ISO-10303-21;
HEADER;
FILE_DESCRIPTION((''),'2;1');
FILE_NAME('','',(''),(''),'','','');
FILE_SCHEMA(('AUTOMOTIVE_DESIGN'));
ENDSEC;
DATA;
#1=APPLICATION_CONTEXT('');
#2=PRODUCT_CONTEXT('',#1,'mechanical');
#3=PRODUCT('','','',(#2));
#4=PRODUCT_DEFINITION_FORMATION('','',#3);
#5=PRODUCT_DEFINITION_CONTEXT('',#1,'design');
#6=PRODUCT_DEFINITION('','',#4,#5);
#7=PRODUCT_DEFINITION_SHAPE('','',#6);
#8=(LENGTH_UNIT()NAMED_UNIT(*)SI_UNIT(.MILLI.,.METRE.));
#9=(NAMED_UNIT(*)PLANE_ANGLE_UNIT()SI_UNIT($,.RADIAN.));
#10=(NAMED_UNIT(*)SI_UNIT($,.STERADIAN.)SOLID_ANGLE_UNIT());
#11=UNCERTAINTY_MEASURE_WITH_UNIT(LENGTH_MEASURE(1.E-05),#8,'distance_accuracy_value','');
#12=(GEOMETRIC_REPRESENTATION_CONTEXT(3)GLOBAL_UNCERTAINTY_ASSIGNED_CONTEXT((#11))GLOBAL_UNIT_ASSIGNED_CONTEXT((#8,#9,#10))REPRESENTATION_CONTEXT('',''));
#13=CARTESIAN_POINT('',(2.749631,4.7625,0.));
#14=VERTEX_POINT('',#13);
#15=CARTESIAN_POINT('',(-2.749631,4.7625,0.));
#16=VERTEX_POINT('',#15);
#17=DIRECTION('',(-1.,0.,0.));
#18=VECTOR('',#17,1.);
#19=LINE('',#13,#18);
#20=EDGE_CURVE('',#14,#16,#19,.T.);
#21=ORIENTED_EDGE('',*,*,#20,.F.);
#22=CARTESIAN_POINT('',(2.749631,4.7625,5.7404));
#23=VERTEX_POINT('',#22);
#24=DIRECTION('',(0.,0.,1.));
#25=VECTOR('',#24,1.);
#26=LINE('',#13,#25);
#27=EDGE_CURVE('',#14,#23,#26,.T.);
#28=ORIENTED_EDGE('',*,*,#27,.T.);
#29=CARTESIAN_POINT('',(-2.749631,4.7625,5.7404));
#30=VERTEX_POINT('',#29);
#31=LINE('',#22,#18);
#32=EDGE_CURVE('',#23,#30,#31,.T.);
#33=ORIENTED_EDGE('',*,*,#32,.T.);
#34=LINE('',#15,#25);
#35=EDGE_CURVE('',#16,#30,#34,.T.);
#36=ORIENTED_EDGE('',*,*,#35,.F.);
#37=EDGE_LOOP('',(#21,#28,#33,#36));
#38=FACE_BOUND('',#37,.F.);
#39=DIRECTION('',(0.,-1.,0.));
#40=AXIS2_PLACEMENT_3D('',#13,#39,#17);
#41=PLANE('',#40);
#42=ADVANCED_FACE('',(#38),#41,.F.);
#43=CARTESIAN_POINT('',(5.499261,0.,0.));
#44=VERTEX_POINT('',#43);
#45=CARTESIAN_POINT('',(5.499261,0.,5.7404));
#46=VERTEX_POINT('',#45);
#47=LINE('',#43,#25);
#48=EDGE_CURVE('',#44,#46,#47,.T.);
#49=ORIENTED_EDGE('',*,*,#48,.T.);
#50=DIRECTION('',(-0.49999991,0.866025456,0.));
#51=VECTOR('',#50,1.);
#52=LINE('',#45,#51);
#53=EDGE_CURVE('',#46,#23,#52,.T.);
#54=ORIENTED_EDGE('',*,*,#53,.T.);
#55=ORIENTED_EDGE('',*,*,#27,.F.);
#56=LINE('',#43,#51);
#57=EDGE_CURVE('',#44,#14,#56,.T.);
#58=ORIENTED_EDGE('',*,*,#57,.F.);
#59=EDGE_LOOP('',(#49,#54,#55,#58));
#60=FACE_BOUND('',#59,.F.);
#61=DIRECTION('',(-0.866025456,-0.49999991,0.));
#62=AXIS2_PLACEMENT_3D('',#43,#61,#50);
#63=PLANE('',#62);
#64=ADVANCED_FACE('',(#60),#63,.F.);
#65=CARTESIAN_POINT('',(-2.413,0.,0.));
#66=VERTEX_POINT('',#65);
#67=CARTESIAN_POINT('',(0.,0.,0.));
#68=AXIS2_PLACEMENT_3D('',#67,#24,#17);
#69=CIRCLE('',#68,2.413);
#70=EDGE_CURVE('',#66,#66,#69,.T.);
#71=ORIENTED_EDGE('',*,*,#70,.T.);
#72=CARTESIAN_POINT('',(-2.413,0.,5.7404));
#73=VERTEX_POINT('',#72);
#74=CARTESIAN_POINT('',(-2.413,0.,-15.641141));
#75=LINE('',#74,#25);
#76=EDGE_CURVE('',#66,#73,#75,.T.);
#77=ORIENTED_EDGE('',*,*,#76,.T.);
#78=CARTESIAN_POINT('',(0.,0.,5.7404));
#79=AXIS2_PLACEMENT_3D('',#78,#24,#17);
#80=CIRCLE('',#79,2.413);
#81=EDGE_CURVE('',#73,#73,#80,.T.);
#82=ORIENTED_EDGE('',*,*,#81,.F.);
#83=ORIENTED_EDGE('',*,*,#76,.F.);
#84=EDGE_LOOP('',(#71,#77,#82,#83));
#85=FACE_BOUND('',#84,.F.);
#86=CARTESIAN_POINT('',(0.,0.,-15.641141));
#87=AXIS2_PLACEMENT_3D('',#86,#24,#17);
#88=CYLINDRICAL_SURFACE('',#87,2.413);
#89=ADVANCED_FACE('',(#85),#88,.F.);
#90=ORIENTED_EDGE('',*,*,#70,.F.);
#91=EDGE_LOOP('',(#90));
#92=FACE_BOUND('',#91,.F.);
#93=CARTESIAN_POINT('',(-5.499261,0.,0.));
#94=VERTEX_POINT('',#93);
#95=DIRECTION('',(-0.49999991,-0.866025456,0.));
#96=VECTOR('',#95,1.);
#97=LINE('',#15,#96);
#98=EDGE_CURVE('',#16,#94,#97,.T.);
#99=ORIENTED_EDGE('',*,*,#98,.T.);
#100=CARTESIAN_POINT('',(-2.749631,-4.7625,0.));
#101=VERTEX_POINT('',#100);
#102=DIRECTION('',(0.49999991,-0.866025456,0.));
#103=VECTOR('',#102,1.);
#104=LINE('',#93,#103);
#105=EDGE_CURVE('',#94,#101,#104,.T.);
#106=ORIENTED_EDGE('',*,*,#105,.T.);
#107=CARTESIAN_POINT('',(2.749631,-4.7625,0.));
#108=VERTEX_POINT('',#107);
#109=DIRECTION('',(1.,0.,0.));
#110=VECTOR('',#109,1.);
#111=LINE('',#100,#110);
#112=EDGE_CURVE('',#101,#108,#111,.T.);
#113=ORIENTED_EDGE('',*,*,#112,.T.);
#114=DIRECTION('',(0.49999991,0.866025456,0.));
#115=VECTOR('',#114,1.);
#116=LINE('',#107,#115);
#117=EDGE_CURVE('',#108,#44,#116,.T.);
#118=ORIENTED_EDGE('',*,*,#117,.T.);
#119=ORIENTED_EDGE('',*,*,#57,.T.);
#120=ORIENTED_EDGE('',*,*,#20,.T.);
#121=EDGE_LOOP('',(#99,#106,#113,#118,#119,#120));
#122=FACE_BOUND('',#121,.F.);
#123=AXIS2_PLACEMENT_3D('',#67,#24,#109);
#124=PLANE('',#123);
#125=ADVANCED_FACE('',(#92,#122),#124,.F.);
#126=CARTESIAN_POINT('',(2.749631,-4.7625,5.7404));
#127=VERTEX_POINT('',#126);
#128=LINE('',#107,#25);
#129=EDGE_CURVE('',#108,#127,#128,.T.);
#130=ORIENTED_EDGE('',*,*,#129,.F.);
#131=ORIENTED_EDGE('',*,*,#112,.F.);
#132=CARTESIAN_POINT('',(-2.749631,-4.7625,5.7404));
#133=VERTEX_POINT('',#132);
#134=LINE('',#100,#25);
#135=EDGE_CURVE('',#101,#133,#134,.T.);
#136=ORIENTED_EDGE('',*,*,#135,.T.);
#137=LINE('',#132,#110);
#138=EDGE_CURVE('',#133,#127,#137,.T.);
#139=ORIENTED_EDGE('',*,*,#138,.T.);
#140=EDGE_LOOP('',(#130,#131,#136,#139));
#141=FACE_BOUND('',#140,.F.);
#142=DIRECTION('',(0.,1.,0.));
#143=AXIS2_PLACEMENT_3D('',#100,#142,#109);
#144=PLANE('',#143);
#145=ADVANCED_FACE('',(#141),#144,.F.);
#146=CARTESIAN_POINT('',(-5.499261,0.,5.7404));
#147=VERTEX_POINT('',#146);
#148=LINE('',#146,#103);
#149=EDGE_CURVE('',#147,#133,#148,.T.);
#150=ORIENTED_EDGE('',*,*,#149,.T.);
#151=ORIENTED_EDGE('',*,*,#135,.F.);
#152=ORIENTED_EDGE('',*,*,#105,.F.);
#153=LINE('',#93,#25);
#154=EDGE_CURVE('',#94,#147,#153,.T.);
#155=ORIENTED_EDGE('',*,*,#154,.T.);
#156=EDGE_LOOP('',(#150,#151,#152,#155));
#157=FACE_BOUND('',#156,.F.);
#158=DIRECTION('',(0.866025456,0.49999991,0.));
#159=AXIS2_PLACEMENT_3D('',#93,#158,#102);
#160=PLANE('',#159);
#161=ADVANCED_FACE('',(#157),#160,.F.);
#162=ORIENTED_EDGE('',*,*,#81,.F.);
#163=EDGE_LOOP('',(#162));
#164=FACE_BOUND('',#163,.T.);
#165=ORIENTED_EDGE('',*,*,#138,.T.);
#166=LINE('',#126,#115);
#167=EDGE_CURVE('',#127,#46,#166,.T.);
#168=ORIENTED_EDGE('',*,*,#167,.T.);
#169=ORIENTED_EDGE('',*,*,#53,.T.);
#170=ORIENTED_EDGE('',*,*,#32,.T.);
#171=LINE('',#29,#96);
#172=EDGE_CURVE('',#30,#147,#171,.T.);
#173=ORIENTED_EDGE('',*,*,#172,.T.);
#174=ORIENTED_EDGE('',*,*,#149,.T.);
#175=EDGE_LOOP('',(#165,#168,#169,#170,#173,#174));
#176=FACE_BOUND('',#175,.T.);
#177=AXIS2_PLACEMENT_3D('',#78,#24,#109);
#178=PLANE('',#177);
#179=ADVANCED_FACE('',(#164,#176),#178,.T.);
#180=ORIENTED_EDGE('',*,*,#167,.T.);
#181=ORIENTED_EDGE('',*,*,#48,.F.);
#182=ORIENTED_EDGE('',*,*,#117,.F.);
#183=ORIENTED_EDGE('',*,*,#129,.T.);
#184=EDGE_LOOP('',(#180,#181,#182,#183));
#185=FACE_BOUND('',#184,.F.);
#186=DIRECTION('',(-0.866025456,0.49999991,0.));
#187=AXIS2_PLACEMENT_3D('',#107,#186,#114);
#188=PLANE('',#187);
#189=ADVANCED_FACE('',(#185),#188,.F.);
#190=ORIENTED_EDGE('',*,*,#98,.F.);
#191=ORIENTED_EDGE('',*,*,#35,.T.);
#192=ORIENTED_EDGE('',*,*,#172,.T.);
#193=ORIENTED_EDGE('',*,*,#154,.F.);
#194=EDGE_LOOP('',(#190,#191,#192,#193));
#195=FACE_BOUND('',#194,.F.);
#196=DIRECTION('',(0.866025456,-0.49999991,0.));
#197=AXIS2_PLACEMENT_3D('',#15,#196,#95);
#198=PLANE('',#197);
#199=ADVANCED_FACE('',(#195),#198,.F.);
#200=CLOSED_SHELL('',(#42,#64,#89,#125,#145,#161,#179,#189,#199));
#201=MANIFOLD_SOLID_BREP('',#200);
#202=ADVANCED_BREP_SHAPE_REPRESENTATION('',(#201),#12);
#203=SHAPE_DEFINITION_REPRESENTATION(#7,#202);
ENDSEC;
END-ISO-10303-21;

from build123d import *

# Parameters (mm, degrees)
F1_DEPTH = 5.7404
F2_D     = 4.826


with BuildPart() as f1:
    # F0 (on Top) → F1 (new body)
    with BuildSketch(Plane.XY):
        Polygon((5.499261, 0), (2.749631, 4.7625), (-2.749631, 4.7625), (-5.499261, 0), (-2.749631, -4.7625), (2.749631, -4.7625), align=None)
    extrude(amount=F1_DEPTH)

    # F2 (through all)
    with Locations(Plane(origin=(0, 0, 0), x_dir=(1, 0, 0), z_dir=(0, 0, -1))):
        with Locations((0, 0)):
            Hole(F2_D / 2)


solid = f1.part
